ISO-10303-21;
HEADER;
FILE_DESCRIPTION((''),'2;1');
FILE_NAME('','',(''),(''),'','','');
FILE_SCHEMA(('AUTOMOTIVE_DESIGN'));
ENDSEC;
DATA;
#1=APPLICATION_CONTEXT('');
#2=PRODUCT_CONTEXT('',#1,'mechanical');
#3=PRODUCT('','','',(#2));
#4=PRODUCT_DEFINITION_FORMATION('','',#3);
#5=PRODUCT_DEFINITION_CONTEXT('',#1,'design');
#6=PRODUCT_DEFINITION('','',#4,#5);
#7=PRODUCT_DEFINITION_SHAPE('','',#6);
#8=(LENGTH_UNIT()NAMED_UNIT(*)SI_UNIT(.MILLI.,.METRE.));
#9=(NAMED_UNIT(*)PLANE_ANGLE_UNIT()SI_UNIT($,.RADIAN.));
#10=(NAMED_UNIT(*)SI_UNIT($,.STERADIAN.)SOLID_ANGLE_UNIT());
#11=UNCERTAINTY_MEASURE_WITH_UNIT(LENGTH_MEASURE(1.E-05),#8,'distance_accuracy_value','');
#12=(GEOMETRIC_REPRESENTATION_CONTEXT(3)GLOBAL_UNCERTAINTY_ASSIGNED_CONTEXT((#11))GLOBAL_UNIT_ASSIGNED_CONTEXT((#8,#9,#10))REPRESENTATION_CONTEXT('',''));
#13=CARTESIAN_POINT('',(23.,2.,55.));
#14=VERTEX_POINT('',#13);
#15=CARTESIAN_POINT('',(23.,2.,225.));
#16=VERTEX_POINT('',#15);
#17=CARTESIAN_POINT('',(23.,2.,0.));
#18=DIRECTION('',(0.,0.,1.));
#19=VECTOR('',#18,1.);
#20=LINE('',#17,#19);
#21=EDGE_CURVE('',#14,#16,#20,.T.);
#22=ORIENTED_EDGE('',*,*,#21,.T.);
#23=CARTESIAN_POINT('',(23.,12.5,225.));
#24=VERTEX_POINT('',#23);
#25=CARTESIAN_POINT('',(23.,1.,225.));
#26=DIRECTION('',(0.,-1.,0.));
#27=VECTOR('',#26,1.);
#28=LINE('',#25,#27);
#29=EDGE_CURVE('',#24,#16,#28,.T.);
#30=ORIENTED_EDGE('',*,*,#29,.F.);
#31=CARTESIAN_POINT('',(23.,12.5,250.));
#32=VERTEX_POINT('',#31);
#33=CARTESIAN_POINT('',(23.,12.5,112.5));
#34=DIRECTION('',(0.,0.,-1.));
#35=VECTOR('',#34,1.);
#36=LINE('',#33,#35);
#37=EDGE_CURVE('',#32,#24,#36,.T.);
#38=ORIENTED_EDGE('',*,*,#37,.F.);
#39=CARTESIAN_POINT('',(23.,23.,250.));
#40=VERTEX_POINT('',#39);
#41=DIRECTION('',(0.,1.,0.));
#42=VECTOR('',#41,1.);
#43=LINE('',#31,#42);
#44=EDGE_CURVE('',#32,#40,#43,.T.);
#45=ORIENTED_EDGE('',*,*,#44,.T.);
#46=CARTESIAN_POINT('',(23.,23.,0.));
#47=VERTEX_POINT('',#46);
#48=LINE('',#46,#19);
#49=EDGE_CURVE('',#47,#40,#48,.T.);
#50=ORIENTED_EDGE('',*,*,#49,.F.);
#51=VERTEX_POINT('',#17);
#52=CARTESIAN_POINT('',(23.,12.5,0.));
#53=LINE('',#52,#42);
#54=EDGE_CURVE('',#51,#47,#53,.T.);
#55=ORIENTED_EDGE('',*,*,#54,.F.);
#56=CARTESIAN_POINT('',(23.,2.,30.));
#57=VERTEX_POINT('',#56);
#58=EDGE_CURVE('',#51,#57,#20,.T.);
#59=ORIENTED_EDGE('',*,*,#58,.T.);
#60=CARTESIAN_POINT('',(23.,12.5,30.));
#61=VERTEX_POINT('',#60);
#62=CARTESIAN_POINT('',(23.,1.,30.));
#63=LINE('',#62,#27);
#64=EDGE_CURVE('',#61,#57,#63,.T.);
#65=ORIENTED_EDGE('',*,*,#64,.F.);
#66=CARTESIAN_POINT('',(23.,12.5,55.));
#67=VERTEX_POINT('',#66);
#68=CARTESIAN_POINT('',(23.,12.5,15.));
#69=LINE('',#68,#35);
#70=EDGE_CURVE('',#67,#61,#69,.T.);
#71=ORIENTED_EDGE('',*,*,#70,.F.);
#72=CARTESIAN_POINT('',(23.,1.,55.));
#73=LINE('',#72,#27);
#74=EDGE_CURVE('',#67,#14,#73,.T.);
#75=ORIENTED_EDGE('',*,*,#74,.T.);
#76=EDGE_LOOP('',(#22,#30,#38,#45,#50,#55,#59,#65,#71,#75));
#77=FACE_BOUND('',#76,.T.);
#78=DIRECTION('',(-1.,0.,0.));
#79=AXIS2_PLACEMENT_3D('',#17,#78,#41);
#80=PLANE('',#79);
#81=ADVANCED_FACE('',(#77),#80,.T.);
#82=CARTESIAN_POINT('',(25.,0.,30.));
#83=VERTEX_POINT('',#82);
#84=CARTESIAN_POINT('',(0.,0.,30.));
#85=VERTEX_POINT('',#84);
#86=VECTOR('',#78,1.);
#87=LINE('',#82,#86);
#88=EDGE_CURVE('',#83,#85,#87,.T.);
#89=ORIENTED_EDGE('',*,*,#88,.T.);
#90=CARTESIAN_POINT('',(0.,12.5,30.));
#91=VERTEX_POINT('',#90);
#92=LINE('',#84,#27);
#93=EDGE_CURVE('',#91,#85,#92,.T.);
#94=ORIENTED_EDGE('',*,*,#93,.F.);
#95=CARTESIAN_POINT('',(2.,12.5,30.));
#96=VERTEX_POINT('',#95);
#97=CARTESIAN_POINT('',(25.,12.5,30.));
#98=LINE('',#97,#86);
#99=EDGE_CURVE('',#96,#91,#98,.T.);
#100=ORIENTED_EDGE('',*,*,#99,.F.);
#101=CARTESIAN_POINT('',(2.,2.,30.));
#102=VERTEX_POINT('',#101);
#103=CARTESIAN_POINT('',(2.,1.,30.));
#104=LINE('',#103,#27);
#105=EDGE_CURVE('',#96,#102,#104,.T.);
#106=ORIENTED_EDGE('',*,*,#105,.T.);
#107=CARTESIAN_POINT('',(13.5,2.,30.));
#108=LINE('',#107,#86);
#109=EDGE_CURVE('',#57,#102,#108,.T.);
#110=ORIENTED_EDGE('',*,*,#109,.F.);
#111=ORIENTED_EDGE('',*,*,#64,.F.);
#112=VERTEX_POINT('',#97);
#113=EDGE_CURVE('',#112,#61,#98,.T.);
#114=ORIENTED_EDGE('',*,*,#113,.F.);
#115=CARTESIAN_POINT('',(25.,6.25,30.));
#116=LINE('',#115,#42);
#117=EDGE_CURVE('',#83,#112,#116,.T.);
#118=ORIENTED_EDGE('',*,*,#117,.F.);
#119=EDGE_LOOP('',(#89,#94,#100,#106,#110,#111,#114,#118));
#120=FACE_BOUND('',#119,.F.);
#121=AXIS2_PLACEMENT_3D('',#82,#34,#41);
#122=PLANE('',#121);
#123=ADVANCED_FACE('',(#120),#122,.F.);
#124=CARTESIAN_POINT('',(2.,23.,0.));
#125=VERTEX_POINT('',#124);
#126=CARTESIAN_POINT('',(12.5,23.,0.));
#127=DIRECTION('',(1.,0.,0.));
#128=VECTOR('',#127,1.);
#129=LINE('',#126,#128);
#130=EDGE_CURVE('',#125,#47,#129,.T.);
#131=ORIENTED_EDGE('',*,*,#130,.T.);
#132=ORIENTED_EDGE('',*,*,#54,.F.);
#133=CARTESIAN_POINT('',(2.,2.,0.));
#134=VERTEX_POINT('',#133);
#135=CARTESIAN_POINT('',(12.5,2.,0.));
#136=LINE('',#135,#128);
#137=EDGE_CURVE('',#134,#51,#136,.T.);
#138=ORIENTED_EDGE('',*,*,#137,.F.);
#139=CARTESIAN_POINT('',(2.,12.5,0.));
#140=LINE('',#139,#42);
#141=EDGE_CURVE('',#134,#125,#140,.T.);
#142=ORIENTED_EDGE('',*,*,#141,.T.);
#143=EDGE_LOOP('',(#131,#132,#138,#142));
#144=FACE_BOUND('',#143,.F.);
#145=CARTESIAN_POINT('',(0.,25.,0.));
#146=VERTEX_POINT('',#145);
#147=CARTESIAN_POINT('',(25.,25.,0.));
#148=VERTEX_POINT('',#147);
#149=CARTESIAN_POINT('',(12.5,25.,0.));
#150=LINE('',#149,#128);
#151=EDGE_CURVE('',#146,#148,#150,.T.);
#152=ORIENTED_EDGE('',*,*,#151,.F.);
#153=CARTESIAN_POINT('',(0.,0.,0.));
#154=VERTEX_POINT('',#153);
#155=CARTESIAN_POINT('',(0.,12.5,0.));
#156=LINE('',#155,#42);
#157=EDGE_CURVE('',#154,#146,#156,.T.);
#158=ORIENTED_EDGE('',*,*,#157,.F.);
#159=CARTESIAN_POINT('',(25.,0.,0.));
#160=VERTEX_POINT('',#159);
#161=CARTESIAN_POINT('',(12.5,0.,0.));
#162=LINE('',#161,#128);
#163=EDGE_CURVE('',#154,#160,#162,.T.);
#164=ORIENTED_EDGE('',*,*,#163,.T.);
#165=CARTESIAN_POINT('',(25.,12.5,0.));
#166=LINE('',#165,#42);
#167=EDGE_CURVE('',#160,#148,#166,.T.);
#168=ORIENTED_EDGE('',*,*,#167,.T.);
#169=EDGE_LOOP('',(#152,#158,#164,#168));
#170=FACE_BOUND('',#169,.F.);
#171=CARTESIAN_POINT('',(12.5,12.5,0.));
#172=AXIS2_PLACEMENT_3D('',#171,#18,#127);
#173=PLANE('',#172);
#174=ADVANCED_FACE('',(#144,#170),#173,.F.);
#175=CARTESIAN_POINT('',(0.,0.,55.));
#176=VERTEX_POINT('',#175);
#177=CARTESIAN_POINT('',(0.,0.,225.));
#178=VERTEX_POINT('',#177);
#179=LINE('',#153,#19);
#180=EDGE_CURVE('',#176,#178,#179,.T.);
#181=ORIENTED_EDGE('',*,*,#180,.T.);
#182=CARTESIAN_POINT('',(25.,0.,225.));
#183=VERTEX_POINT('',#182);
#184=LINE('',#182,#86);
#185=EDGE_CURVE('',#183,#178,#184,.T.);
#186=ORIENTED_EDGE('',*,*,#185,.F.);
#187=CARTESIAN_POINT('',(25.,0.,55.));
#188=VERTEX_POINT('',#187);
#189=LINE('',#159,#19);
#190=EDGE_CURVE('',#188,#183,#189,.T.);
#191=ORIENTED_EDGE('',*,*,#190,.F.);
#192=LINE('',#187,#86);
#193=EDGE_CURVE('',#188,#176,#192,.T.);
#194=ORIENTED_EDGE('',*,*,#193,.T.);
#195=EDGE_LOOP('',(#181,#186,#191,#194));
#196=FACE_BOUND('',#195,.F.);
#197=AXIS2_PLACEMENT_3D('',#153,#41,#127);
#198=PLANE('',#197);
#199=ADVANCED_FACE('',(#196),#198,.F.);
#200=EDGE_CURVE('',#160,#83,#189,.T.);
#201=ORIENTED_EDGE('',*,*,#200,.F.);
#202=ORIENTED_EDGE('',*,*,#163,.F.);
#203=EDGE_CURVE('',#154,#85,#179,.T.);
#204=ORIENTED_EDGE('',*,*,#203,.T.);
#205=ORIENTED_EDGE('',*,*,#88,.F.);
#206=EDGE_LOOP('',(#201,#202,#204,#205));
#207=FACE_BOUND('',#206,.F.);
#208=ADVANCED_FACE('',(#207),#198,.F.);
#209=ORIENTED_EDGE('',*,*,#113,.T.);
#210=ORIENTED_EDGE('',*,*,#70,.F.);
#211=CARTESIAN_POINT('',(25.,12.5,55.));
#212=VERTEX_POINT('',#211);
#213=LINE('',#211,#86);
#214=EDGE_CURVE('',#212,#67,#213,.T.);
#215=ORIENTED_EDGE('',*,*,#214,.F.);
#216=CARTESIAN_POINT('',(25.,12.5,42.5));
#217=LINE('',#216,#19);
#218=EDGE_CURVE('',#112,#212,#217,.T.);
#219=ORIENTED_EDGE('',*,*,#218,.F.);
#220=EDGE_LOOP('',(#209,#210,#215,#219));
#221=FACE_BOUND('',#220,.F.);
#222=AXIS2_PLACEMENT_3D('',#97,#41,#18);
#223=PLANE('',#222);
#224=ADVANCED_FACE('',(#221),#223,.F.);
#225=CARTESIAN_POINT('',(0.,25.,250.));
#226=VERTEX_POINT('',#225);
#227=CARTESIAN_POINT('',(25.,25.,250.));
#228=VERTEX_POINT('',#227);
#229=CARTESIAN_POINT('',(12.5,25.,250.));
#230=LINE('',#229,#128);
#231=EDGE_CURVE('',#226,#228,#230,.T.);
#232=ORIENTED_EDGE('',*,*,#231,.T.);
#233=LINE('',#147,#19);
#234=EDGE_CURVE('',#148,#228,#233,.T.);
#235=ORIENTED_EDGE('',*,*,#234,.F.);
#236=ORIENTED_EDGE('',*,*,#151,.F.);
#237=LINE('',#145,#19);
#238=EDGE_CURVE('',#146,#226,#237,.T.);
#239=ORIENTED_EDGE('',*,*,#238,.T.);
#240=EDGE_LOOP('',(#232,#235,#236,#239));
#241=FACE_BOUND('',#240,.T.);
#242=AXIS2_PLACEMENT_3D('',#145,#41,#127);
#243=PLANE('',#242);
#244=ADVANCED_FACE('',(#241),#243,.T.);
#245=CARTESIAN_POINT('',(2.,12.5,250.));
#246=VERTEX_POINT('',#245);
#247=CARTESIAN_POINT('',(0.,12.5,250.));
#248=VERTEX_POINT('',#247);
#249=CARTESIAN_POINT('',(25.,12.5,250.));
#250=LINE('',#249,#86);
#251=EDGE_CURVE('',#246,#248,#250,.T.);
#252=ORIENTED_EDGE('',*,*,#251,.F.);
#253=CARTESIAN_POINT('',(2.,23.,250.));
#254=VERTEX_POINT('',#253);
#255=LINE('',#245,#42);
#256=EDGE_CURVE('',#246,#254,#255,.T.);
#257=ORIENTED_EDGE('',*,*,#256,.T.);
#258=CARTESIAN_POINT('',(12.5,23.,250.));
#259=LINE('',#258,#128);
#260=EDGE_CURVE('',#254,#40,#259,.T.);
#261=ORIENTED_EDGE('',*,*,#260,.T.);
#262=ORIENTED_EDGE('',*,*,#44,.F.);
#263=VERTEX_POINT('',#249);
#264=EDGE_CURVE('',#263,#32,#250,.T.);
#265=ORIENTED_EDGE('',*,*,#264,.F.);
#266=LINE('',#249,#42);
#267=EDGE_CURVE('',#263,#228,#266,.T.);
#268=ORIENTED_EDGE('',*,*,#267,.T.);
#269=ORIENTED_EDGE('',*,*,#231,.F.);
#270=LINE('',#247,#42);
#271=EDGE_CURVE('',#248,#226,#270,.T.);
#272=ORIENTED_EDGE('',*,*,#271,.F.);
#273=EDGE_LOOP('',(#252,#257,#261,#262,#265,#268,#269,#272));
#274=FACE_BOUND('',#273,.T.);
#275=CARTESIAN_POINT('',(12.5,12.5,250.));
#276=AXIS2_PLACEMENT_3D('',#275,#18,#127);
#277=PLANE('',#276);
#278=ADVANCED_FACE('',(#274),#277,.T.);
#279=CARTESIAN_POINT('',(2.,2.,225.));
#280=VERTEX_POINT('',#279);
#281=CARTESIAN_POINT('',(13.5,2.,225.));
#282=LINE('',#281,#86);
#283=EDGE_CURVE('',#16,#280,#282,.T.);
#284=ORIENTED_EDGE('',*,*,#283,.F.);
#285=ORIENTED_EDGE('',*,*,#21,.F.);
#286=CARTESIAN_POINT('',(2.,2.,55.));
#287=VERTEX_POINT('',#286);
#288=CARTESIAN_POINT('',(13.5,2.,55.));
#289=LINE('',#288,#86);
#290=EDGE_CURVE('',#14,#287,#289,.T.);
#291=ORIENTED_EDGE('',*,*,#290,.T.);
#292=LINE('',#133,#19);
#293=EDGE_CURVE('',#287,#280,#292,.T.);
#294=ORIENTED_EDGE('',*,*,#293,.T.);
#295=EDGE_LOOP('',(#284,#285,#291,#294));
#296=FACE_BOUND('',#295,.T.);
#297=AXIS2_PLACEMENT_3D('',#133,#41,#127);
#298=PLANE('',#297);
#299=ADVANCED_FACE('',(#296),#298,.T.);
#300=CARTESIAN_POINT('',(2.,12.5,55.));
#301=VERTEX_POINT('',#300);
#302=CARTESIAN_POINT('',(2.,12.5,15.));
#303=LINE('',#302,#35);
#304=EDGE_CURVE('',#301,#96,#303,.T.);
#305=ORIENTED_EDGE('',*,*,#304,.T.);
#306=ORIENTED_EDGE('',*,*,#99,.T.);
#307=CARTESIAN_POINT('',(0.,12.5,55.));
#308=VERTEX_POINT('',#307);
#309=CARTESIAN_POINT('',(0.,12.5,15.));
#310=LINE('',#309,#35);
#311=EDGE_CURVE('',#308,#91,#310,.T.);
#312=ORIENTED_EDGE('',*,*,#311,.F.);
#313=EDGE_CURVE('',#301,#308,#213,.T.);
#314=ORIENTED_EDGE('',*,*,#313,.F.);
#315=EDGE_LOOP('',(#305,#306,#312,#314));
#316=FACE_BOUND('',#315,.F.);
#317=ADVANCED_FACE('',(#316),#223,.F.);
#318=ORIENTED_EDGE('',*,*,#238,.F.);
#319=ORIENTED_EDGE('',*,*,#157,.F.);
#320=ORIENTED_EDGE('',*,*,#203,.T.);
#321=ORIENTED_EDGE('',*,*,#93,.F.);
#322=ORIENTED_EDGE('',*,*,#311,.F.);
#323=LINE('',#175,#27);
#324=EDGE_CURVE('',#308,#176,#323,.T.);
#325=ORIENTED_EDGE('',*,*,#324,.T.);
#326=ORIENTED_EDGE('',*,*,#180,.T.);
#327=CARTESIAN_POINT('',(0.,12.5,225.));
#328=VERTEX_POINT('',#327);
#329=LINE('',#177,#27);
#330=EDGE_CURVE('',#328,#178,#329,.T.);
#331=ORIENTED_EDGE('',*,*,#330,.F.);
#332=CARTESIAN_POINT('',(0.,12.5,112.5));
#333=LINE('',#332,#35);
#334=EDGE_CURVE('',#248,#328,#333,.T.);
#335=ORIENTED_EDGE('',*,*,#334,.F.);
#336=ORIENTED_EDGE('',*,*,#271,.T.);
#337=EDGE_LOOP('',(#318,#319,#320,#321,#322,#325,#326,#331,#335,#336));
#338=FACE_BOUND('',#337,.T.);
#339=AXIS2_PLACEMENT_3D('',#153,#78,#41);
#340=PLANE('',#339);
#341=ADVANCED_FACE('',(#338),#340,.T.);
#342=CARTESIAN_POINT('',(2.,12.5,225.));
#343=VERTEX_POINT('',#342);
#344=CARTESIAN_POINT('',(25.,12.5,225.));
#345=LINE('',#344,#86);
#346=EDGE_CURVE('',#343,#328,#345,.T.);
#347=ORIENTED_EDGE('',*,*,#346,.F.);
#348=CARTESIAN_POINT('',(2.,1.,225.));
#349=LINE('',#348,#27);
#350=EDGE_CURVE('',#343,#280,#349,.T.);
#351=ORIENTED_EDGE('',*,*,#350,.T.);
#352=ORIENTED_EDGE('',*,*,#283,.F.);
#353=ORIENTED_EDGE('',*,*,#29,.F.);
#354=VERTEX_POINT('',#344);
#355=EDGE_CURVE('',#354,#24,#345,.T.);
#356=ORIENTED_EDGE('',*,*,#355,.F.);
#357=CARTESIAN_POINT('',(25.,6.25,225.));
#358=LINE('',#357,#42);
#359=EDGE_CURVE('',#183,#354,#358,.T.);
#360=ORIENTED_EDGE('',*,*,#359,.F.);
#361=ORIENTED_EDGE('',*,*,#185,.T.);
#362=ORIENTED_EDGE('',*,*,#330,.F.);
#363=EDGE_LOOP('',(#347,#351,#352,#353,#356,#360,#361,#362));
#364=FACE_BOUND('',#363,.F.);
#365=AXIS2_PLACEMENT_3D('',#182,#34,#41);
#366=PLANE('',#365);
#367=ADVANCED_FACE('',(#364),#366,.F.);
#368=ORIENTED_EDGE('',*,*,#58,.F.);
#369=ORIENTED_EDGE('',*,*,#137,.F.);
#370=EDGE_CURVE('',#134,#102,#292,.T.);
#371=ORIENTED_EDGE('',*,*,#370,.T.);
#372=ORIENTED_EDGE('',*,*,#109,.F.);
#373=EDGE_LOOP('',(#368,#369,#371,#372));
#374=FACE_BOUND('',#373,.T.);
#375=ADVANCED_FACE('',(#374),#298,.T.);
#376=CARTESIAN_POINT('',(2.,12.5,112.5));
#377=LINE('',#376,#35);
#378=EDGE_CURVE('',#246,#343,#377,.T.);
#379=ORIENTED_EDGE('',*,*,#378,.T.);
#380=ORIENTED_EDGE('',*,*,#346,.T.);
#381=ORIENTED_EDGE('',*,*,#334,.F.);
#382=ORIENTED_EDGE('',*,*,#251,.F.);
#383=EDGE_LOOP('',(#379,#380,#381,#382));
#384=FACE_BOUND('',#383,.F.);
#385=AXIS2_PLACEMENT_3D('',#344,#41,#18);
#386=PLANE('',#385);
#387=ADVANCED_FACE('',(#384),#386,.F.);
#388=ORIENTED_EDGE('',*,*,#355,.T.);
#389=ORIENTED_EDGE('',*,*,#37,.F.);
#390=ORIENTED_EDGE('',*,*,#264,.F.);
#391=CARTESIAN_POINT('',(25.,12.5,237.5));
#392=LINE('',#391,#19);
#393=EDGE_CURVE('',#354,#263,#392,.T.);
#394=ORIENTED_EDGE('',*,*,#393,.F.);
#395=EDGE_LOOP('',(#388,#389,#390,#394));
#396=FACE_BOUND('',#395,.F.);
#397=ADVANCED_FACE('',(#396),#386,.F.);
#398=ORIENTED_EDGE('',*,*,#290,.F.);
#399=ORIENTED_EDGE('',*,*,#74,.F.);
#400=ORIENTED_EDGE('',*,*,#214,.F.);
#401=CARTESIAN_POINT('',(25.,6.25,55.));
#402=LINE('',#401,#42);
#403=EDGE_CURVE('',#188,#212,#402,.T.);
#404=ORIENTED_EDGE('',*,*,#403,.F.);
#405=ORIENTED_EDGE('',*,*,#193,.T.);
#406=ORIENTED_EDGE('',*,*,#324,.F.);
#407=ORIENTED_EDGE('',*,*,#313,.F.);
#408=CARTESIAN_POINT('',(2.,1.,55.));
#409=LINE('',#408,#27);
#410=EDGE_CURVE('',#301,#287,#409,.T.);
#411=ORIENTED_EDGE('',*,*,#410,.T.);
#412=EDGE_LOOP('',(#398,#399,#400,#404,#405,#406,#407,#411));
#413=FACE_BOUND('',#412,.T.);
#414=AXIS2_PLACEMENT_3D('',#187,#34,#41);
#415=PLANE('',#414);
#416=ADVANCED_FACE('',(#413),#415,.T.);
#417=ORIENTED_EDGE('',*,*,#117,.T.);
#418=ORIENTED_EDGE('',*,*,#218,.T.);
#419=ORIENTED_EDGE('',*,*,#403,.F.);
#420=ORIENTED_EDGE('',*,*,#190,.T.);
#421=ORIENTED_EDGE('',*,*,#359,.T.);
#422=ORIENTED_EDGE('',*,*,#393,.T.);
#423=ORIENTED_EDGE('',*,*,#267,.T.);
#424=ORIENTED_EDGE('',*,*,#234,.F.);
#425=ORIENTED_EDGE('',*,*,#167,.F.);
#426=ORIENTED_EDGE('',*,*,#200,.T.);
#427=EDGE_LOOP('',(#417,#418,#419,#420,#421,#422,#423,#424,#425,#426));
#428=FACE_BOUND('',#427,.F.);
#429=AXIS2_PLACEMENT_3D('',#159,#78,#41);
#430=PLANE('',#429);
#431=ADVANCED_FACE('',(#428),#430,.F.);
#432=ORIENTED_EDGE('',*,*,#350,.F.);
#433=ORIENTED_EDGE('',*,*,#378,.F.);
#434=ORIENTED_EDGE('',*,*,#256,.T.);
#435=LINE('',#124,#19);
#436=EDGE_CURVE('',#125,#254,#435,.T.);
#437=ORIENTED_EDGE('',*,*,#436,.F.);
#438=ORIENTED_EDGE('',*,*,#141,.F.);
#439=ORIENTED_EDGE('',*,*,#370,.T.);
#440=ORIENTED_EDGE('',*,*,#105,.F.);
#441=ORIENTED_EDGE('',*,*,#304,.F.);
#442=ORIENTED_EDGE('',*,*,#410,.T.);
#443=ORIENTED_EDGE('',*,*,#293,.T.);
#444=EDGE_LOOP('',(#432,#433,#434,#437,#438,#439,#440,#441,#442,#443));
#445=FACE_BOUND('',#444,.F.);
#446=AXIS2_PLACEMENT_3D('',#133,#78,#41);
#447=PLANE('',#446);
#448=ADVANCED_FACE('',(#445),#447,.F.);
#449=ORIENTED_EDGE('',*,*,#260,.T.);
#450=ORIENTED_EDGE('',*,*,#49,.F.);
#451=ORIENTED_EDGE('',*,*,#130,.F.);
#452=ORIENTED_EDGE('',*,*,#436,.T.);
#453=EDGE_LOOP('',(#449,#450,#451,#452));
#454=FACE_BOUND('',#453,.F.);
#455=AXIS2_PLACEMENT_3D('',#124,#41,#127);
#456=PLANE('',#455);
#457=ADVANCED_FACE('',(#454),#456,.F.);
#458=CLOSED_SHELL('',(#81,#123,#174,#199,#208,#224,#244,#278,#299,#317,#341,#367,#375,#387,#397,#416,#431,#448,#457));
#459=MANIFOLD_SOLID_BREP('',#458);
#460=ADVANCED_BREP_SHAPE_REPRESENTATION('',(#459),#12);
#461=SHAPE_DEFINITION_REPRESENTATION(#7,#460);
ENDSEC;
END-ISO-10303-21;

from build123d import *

# Parameters (mm, degrees)
F0_W     = 25
F0_H     = 25
F0_W_2   = 21
F0_H_2   = 21
F1_DEPTH = 250
F2_W     = 12.5
F2_H     = 25
F3_DEPTH = 25.001


with BuildPart() as f1:
    # F0 (on Top) → F1 (new body)
    with BuildSketch(Plane.XY):
        with Locations((12.5, 12.5)):
            Rectangle(F0_W, F0_H)
        with Locations((12.5, 12.5)):
            Rectangle(F0_W_2, F0_H_2, mode=Mode.SUBTRACT)
    extrude(amount=F1_DEPTH)

    # F2 (on face) → F3 (cut, through all)
    with BuildSketch(Plane.YZ.offset(25)):
        with Locations((6.25, 237.5)):
            Rectangle(F2_W, F2_H)
        with Locations((6.25, 42.5)):
            Rectangle(F2_W, F2_H)
    extrude(amount=-F3_DEPTH, mode=Mode.SUBTRACT)


solid = f1.part
